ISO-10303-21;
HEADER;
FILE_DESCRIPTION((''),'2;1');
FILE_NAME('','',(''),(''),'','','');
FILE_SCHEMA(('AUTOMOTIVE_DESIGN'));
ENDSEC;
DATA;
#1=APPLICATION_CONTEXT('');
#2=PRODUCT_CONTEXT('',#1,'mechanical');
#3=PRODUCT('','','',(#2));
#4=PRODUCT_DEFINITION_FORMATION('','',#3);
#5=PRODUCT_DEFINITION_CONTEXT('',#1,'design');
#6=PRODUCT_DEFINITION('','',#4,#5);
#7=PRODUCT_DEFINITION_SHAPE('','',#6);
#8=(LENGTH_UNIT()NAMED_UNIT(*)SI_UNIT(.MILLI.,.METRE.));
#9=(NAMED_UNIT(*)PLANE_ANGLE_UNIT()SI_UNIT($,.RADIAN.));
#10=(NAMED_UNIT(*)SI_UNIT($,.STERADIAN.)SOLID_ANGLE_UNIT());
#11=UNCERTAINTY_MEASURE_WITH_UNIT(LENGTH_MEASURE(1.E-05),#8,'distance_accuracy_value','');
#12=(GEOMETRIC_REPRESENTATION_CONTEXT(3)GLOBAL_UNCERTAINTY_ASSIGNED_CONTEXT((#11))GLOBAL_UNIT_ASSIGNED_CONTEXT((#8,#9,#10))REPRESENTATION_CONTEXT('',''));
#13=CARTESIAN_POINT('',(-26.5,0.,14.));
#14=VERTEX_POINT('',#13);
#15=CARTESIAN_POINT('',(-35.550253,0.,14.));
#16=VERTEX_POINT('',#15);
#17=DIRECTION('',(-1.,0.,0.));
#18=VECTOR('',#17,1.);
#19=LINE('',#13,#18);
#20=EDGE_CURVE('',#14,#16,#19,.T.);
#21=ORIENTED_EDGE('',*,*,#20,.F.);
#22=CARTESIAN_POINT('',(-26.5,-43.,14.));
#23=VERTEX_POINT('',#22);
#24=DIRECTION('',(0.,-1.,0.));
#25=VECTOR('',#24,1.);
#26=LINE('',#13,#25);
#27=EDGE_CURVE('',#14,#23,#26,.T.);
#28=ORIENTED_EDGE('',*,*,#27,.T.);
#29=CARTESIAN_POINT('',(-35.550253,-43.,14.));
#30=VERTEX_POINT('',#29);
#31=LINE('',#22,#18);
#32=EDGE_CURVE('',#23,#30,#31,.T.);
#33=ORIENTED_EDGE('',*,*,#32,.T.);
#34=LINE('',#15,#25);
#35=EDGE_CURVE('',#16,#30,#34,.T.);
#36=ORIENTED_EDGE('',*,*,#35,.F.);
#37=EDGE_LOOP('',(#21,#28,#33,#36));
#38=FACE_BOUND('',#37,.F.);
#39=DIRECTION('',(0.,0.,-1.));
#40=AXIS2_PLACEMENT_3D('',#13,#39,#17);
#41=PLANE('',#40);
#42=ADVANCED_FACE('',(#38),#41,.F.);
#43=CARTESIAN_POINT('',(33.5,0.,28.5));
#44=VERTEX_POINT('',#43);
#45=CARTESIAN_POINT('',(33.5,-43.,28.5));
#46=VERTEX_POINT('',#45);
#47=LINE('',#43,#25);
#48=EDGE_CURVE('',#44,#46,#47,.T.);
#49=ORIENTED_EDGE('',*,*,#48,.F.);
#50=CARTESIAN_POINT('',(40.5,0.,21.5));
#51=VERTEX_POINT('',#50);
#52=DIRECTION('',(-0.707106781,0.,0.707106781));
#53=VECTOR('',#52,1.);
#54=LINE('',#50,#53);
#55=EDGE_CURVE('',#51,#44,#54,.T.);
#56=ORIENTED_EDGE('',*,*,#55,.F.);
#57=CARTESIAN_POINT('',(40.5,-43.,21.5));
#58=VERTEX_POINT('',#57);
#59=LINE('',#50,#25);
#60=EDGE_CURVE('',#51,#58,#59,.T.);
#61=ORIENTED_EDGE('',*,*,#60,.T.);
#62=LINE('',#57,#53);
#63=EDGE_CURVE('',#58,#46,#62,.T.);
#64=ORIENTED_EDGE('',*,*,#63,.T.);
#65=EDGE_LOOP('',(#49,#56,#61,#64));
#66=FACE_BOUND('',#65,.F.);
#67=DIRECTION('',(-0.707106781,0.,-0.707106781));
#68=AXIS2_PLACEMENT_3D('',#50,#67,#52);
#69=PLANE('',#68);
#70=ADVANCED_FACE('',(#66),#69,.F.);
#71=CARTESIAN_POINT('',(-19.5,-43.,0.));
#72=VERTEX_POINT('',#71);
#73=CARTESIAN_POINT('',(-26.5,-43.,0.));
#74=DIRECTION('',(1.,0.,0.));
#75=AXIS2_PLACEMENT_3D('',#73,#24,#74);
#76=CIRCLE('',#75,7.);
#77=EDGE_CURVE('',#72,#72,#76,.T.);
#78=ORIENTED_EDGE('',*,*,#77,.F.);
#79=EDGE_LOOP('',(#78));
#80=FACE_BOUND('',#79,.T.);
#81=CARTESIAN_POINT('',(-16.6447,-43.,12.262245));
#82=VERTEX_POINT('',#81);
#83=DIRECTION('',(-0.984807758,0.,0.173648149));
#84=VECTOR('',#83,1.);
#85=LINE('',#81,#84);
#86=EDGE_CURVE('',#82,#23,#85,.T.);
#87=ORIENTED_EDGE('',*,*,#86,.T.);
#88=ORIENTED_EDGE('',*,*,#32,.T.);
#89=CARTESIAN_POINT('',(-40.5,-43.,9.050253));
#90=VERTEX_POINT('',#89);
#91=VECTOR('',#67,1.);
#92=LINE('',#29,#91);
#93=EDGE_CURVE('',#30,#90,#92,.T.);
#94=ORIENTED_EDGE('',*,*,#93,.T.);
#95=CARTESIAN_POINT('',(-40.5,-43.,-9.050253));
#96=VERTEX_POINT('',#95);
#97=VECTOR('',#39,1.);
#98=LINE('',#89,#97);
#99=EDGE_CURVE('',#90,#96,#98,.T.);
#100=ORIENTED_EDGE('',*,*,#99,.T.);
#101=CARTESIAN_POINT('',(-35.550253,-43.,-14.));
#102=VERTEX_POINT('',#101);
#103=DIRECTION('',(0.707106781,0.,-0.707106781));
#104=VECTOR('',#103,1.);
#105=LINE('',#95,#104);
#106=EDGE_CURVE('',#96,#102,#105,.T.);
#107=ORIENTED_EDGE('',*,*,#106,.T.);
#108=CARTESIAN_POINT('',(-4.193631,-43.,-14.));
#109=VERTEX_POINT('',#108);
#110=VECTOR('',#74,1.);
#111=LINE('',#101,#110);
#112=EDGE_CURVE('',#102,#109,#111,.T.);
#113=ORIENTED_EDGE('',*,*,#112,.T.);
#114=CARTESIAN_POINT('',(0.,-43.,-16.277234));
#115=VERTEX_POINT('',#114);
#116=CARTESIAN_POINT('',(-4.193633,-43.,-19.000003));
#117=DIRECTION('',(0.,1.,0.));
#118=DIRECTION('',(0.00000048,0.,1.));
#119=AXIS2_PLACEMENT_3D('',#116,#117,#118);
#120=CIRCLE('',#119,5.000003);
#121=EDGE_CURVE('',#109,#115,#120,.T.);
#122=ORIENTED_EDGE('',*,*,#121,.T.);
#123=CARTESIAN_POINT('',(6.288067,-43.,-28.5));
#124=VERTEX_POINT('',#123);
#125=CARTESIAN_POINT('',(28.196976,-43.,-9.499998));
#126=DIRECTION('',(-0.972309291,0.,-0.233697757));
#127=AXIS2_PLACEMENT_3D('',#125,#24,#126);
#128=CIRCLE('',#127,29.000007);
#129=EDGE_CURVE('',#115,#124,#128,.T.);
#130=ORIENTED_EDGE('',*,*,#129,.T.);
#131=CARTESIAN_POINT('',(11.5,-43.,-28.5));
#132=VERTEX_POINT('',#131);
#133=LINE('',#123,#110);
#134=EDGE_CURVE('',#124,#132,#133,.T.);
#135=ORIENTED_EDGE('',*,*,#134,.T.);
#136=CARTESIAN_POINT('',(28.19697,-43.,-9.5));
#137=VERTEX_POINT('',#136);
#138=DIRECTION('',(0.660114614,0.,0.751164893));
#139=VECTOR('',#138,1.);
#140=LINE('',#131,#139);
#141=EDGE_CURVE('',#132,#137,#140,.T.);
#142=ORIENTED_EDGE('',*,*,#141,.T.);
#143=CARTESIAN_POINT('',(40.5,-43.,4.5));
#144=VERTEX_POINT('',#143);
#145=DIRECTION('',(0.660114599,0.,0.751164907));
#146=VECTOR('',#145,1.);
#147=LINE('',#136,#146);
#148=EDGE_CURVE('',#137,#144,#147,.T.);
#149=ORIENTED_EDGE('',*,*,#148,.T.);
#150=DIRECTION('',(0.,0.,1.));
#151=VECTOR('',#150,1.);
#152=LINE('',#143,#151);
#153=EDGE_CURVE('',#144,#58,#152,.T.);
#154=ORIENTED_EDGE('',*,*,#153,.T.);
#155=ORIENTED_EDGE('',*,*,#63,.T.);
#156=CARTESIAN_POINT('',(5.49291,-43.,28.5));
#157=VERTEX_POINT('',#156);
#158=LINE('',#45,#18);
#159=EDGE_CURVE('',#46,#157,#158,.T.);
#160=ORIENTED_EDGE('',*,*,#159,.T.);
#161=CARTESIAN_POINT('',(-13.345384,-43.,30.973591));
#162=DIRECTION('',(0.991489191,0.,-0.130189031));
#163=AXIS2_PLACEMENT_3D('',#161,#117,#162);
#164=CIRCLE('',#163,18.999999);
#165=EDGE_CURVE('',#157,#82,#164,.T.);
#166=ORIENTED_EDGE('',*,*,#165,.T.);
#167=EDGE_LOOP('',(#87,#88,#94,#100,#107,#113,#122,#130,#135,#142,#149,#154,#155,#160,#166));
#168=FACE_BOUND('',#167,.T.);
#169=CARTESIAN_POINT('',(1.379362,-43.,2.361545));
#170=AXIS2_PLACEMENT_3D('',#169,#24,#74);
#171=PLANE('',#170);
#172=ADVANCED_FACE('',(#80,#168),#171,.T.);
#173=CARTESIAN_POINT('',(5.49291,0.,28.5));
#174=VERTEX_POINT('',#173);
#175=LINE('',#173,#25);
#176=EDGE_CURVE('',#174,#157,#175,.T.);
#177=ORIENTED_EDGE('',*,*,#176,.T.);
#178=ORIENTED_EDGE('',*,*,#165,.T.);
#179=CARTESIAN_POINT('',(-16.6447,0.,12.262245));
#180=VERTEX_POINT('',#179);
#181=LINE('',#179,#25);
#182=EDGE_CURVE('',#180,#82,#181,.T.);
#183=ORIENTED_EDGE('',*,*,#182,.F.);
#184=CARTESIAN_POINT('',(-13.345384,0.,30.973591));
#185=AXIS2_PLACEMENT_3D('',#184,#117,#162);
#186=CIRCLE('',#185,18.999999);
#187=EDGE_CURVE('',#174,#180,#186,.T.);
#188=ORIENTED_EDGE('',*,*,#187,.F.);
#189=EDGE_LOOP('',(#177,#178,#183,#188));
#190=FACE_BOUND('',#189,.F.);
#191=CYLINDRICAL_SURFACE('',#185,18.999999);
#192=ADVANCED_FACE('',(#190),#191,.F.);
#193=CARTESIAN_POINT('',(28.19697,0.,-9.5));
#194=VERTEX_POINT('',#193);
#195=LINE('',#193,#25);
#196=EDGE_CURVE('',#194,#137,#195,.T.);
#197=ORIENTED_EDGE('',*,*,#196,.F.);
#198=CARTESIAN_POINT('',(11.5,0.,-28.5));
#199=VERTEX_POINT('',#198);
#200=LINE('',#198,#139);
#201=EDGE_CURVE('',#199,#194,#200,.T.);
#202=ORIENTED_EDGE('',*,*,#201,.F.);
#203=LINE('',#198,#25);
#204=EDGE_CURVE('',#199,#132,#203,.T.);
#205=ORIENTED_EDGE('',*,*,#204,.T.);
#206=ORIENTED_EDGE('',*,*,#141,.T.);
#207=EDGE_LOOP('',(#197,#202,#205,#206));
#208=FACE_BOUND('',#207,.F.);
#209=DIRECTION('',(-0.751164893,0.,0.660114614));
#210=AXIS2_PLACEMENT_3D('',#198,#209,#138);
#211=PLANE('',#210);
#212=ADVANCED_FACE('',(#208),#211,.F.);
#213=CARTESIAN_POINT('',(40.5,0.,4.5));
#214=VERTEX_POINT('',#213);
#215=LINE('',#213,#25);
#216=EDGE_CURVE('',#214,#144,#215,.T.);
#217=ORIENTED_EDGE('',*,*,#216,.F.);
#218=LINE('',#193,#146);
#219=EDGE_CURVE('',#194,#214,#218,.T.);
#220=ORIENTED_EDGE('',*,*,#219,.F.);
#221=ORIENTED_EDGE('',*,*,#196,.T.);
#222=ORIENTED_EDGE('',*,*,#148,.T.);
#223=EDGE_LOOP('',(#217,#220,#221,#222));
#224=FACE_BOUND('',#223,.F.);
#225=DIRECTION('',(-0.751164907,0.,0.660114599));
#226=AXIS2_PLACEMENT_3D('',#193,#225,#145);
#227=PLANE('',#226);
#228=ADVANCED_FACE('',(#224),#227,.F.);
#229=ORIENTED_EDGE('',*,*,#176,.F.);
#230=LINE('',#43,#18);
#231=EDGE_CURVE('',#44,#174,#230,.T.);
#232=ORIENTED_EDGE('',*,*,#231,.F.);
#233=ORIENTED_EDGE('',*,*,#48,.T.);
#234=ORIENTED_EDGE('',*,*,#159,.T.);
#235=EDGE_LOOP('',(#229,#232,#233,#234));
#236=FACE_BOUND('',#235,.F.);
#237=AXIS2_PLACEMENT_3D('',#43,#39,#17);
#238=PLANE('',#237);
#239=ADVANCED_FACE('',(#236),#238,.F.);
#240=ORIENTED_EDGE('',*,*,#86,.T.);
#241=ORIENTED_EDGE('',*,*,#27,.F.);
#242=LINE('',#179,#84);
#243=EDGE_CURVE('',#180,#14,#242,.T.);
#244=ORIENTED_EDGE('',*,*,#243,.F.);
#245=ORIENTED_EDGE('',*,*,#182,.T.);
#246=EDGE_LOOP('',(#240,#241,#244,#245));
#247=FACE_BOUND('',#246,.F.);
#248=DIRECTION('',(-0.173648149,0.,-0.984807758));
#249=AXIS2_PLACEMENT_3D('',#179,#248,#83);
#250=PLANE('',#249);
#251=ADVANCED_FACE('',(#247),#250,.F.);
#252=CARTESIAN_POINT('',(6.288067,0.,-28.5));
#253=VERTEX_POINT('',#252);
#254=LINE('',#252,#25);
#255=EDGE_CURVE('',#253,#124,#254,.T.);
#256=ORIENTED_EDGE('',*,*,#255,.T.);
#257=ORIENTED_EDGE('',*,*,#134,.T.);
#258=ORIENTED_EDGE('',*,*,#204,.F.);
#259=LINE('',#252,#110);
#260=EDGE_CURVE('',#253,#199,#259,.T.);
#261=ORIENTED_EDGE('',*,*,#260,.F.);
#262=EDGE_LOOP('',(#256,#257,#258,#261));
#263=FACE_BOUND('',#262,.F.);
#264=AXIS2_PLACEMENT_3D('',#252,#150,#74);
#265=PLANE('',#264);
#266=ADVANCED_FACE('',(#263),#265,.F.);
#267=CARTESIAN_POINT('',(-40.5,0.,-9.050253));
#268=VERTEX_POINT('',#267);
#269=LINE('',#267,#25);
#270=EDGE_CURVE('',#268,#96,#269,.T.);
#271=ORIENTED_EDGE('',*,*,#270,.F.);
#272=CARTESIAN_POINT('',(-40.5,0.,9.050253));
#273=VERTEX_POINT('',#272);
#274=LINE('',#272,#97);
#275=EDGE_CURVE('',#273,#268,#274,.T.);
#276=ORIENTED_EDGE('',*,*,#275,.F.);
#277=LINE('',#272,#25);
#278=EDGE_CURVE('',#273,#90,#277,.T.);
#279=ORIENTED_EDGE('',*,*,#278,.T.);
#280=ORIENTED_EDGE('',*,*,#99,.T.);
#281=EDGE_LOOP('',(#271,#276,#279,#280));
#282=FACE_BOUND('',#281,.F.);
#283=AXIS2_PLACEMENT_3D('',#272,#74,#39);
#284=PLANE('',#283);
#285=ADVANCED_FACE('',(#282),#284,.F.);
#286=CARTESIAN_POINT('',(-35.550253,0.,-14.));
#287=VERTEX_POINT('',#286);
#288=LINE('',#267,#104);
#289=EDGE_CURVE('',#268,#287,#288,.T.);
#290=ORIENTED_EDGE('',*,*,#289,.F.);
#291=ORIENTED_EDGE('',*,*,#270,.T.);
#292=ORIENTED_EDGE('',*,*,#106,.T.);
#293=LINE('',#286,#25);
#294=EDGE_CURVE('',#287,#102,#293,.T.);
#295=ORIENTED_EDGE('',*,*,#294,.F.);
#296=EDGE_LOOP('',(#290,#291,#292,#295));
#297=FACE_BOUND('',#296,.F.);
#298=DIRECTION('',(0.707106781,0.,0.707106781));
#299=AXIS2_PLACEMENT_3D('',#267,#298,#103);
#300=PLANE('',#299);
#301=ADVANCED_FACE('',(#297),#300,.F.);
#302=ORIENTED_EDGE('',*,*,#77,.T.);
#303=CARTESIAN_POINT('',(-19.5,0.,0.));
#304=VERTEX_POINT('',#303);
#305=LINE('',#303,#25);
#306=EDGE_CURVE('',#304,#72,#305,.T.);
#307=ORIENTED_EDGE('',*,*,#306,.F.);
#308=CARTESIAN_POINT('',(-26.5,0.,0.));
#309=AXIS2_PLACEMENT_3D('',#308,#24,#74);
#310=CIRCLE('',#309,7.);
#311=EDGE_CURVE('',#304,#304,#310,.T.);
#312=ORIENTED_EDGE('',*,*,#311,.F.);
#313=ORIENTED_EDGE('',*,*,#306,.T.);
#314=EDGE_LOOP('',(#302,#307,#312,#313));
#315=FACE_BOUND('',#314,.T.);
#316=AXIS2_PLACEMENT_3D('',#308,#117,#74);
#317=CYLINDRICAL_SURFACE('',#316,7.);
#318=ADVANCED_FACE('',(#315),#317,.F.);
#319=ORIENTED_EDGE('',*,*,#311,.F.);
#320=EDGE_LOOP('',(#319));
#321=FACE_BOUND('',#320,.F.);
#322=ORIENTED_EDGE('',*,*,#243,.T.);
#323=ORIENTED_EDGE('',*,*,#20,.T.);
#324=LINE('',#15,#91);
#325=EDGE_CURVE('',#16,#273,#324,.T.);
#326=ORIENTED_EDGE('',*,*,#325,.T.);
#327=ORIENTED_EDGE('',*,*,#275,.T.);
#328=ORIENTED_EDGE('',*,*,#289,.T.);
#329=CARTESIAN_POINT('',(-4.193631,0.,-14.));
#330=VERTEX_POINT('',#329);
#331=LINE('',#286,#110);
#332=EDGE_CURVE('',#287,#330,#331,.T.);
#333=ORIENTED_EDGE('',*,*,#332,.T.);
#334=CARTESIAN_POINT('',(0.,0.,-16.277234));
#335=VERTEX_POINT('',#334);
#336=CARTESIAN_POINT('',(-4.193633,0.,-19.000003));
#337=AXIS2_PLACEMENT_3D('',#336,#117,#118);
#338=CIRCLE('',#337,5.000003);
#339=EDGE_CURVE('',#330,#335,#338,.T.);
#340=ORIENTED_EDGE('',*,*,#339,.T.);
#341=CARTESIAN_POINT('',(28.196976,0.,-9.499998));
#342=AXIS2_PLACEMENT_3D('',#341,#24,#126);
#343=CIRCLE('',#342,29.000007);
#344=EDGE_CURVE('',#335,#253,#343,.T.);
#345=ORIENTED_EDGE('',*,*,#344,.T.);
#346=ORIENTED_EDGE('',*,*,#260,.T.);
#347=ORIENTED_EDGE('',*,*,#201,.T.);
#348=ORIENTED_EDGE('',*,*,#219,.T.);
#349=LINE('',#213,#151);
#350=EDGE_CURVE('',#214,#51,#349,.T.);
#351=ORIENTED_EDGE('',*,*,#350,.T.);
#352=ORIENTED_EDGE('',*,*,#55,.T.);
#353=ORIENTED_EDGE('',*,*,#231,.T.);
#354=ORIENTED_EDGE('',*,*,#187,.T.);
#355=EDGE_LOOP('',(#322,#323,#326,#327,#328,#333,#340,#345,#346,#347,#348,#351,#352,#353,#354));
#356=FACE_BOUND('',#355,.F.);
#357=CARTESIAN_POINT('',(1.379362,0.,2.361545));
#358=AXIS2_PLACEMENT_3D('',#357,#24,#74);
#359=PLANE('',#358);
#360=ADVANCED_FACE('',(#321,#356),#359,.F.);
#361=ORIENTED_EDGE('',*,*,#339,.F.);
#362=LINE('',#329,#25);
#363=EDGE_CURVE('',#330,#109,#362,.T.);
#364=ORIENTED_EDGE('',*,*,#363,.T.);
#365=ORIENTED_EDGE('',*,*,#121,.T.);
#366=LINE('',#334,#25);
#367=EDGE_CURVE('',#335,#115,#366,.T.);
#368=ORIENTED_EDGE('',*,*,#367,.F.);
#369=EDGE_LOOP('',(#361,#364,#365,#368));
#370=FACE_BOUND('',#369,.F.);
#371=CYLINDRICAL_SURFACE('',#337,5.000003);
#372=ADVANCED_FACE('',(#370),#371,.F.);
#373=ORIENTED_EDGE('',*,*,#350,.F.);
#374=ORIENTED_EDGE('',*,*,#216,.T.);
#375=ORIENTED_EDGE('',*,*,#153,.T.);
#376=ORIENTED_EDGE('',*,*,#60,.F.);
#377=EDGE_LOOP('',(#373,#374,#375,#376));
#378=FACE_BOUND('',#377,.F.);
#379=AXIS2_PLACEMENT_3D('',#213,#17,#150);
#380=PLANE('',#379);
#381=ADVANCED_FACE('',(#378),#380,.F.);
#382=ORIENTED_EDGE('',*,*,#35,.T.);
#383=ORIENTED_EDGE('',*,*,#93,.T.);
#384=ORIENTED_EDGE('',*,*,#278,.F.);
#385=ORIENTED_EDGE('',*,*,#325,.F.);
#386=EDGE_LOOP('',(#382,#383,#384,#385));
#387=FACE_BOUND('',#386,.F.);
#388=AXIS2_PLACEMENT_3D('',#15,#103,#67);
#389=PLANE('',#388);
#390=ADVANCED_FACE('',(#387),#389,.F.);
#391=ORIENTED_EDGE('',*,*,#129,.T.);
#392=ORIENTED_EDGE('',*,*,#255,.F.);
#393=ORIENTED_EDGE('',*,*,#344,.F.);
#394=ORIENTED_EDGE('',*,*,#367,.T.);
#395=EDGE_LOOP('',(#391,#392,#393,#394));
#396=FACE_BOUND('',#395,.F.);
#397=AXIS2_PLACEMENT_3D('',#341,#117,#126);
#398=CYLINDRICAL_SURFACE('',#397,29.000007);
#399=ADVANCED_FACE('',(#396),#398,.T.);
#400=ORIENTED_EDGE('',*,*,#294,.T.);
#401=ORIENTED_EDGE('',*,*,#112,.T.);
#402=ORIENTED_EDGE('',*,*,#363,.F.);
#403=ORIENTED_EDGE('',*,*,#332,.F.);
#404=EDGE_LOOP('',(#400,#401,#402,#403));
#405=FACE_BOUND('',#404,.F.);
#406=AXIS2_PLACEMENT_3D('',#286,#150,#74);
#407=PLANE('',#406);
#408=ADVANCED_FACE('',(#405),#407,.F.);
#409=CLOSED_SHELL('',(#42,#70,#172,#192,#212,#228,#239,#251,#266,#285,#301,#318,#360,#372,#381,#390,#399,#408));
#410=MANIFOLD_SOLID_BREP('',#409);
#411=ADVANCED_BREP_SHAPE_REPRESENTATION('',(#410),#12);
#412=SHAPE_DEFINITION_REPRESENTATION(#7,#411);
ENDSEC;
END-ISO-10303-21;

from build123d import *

# Parameters (mm, degrees)
F0_R     = 7
F1_DEPTH = 43


with BuildPart() as f1:
    # F0 (on Front) → F1 (new body)
    with BuildSketch(Plane.XZ):
        with BuildLine():
            Line((28.19697, -9.5), (40.5, 4.5))
            Line((40.5, 4.5), (40.5, 21.5))
            Line((40.5, 21.5), (33.5, 28.5))
            Line((33.5, 28.5), (5.49291, 28.5))
            ThreePointArc((5.49291, 28.5), (-2.107896, 15.653055), (-16.6447, 12.262245))
            Line((-16.6447, 12.262245), (-26.5, 14))
            Line((-26.5, 14), (-35.550253, 14))
            Line((-35.550253, 14), (-40.5, 9.050253))
            Line((-40.5, 9.050253), (-40.5, -9.050253))
            Line((-40.5, -9.050253), (-35.550253, -14))
            Line((-35.550253, -14), (-26.5, -14))
            Line((-26.5, -14), (-4.193631, -14))
            ThreePointArc((-4.193631, -14), (-1.807613, -14.606037), (0, -16.277234))
            ThreePointArc((0, -16.277234), (2.409403, -22.766552), (6.288067, -28.5))
            Line((6.288067, -28.5), (11.5, -28.5))
            Line((11.5, -28.5), (28.19697, -9.5))
        make_face()
        with Locations((-26.5, 0)):
            Circle(F0_R, mode=Mode.SUBTRACT)
    extrude(amount=F1_DEPTH)


solid = f1.part
